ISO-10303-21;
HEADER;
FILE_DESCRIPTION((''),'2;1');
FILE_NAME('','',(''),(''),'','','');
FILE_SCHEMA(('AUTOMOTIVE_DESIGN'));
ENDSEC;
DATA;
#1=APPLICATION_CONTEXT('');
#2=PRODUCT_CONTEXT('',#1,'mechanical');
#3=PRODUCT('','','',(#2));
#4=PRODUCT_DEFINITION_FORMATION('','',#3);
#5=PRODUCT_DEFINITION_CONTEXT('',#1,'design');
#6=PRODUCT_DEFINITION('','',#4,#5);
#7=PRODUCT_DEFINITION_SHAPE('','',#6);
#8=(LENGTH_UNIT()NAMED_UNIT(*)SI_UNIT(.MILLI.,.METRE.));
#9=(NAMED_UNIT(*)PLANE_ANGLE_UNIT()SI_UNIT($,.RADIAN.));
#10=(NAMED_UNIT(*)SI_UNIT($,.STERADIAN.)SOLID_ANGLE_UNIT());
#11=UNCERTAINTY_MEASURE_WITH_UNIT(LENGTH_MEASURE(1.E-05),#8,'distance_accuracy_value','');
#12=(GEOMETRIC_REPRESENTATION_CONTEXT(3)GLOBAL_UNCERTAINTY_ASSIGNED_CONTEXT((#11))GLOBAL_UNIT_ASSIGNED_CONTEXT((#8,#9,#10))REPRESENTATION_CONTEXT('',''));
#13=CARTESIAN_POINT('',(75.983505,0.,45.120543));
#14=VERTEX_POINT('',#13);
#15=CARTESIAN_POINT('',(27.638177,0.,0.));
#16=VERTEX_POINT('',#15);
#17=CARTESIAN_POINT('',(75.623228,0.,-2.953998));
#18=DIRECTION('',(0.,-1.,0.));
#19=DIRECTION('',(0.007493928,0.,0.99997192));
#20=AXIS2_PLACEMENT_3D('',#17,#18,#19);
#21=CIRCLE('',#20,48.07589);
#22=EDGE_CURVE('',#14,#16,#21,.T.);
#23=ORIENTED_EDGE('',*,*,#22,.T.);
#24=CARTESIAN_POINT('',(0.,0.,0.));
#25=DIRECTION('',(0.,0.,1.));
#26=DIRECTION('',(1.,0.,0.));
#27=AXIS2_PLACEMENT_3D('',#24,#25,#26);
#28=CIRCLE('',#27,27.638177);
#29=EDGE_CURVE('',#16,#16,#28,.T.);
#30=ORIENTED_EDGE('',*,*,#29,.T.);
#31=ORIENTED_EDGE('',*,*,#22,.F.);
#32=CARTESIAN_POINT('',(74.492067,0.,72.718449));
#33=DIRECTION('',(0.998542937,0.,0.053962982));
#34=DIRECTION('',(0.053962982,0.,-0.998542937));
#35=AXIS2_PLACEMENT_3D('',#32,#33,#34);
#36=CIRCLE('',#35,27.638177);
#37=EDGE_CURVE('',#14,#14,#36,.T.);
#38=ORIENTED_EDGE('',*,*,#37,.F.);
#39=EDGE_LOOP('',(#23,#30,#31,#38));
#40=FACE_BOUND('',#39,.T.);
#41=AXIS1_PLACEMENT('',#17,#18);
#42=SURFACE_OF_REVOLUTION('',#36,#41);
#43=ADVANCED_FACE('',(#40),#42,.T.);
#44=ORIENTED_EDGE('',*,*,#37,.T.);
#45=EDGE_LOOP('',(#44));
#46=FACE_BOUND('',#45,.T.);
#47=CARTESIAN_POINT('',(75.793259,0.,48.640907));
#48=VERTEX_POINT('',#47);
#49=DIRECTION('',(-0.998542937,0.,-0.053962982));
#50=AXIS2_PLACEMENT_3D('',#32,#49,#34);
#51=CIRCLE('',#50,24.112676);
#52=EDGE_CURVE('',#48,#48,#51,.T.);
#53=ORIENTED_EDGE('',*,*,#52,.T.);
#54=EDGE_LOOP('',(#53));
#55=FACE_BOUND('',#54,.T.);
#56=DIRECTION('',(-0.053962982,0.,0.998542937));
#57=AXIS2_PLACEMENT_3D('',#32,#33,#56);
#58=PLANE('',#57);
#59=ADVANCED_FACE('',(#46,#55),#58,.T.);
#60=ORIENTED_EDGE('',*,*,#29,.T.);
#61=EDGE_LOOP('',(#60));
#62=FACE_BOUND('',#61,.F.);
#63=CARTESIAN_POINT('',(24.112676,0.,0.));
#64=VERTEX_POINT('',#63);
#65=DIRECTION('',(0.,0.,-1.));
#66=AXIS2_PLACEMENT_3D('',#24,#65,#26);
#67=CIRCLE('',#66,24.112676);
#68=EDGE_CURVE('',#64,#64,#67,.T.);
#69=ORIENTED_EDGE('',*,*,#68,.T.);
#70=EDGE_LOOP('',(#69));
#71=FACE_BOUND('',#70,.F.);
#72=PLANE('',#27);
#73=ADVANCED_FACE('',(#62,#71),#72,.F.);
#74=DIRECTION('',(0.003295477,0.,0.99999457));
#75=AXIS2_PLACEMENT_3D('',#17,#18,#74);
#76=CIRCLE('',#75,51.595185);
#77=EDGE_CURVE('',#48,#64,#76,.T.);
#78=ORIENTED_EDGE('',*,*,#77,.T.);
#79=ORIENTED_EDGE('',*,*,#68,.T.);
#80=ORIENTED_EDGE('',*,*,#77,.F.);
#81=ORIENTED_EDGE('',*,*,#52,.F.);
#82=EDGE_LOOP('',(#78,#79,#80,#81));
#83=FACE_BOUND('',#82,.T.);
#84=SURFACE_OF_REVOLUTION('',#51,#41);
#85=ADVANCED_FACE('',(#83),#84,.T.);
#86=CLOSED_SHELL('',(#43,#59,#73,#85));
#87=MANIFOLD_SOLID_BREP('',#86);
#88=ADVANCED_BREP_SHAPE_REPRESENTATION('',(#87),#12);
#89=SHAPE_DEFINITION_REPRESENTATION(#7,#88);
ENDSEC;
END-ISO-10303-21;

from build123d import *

# Parameters (mm, degrees)
F0_R   = 27.638177
F0_R_2 = 24.112676


with BuildPart() as f2:
    # F2: sweep along a path in F1
    with BuildLine(Plane.XZ) as f2_path:
        ThreePointArc((74.492067, 72.718449), (22.757339, 51.201302), (0, 0))
    # F0 (on Top) → F2 (sweep)
    with BuildSketch(Plane.XY):
        Circle(F0_R)
        Circle(F0_R_2, mode=Mode.SUBTRACT)
    sweep(path=f2_path.line)


solid = f2.part
